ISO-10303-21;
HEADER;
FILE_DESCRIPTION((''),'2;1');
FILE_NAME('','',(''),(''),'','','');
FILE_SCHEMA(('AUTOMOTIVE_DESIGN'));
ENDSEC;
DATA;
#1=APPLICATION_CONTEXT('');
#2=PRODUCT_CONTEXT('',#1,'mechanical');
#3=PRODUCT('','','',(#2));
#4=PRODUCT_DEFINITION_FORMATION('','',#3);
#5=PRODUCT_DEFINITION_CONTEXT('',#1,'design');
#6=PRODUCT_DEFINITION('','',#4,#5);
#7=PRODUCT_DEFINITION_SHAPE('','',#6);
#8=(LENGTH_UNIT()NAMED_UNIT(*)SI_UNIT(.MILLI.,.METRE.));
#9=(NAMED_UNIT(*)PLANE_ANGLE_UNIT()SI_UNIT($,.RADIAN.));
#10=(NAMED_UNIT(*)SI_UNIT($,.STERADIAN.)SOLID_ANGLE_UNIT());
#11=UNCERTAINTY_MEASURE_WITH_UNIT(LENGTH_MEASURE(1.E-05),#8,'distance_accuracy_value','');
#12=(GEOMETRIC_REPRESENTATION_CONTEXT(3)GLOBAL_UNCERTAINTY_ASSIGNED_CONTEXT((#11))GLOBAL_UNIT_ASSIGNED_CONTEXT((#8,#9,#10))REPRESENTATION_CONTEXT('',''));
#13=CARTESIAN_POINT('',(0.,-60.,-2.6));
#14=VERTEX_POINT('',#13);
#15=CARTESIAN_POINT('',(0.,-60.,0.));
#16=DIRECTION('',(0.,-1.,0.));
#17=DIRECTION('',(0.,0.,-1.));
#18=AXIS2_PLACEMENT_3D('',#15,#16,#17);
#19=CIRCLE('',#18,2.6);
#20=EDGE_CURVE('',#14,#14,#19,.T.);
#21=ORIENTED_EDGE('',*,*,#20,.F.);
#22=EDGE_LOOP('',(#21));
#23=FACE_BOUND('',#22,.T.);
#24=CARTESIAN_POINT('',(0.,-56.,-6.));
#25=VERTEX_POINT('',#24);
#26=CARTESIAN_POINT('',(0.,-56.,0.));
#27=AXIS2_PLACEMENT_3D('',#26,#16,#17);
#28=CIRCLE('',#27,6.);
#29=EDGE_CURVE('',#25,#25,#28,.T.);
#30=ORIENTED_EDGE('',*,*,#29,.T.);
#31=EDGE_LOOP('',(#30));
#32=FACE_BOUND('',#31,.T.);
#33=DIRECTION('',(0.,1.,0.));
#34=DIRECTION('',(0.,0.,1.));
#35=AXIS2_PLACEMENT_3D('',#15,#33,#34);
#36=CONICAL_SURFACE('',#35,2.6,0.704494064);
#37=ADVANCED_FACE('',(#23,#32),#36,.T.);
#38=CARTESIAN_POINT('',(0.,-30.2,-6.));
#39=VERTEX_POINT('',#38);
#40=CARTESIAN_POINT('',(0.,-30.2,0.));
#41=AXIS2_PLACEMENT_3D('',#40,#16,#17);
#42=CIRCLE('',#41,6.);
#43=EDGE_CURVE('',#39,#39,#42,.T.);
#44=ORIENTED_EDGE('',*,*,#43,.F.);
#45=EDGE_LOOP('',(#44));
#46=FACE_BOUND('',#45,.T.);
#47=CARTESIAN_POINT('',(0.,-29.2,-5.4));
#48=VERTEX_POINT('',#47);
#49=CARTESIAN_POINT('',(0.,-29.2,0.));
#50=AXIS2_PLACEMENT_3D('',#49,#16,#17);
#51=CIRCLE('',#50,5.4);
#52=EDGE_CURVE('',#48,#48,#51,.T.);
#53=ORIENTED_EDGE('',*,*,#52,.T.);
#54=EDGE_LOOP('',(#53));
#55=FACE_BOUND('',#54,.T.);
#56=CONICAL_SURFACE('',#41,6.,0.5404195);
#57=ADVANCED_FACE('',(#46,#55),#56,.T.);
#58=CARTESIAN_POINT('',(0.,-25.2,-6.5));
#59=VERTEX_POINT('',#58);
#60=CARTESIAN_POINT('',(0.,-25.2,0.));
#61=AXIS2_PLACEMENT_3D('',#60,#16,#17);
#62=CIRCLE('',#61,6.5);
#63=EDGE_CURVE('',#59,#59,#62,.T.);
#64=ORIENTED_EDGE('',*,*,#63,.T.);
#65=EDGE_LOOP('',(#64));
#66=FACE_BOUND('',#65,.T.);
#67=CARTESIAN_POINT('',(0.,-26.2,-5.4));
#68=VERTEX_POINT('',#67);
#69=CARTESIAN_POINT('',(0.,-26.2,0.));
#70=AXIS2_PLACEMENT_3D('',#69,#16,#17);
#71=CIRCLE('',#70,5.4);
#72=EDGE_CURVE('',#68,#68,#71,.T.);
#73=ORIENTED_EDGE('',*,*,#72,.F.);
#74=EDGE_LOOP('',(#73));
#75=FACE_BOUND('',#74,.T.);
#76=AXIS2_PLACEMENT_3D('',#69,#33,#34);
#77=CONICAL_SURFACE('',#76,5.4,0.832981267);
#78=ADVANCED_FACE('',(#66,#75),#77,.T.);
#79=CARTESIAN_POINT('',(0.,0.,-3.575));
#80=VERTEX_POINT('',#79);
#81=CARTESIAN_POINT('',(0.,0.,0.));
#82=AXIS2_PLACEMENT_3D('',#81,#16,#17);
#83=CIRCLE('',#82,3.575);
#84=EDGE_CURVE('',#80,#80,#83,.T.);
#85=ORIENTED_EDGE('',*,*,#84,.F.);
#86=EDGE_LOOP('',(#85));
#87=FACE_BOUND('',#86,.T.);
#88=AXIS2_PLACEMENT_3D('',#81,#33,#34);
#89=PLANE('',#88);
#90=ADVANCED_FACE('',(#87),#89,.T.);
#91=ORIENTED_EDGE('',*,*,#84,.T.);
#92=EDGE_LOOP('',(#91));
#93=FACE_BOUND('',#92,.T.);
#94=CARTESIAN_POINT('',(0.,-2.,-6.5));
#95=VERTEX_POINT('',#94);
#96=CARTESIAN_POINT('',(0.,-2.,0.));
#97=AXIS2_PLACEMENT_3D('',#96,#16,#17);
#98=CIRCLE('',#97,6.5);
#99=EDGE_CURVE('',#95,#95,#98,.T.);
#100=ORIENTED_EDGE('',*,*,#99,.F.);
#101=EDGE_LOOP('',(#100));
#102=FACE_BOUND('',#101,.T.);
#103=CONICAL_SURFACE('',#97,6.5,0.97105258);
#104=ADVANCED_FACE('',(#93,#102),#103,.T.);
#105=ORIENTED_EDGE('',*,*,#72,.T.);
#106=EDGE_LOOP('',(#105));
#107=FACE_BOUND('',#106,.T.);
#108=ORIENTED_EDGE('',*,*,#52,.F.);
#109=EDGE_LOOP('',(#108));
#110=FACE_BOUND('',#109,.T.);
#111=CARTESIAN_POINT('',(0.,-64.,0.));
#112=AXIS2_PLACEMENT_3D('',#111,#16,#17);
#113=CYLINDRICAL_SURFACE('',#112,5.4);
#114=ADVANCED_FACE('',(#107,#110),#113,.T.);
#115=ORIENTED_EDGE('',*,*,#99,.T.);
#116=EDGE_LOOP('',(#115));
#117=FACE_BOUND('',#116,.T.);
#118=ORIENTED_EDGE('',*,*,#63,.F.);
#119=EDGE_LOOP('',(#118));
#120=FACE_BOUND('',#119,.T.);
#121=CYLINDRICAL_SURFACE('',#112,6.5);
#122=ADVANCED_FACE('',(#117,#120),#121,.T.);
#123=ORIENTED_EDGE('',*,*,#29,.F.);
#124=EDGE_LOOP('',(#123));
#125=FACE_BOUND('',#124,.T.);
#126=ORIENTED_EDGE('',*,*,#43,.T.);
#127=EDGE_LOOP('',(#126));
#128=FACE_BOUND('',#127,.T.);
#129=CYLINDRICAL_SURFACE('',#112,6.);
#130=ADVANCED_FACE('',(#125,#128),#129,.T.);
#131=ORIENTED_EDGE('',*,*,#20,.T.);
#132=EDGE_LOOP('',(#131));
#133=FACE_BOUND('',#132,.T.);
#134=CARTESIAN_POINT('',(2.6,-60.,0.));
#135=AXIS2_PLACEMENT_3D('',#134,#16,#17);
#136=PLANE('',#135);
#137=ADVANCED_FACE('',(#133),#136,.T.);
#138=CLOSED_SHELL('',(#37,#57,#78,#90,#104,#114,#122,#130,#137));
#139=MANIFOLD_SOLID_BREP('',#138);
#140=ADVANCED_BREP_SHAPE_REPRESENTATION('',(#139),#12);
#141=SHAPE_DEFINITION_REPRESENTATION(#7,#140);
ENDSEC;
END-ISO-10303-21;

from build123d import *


with BuildPart() as part:
    # Sketch1 → Motor_reductora_husillo (revolve)
    with BuildSketch(Plane.XY, mode=Mode.PRIVATE) as motor_reductora_husillo_sk:
        Polygon((0, 0), (3.575, 0), (6.5, -2), (6.5, -25.2), (5.4, -26.2), (5.4, -29.2), (6, -30.2), (6, -56), (2.6, -60), (0, -60), align=None)
    revolve(motor_reductora_husillo_sk.sketch.rotate(Axis((0, -64, 0), (0, 1, 0)), 90), axis=Axis((0, -64, 0), (0, 1, 0)))


solid = part.part
